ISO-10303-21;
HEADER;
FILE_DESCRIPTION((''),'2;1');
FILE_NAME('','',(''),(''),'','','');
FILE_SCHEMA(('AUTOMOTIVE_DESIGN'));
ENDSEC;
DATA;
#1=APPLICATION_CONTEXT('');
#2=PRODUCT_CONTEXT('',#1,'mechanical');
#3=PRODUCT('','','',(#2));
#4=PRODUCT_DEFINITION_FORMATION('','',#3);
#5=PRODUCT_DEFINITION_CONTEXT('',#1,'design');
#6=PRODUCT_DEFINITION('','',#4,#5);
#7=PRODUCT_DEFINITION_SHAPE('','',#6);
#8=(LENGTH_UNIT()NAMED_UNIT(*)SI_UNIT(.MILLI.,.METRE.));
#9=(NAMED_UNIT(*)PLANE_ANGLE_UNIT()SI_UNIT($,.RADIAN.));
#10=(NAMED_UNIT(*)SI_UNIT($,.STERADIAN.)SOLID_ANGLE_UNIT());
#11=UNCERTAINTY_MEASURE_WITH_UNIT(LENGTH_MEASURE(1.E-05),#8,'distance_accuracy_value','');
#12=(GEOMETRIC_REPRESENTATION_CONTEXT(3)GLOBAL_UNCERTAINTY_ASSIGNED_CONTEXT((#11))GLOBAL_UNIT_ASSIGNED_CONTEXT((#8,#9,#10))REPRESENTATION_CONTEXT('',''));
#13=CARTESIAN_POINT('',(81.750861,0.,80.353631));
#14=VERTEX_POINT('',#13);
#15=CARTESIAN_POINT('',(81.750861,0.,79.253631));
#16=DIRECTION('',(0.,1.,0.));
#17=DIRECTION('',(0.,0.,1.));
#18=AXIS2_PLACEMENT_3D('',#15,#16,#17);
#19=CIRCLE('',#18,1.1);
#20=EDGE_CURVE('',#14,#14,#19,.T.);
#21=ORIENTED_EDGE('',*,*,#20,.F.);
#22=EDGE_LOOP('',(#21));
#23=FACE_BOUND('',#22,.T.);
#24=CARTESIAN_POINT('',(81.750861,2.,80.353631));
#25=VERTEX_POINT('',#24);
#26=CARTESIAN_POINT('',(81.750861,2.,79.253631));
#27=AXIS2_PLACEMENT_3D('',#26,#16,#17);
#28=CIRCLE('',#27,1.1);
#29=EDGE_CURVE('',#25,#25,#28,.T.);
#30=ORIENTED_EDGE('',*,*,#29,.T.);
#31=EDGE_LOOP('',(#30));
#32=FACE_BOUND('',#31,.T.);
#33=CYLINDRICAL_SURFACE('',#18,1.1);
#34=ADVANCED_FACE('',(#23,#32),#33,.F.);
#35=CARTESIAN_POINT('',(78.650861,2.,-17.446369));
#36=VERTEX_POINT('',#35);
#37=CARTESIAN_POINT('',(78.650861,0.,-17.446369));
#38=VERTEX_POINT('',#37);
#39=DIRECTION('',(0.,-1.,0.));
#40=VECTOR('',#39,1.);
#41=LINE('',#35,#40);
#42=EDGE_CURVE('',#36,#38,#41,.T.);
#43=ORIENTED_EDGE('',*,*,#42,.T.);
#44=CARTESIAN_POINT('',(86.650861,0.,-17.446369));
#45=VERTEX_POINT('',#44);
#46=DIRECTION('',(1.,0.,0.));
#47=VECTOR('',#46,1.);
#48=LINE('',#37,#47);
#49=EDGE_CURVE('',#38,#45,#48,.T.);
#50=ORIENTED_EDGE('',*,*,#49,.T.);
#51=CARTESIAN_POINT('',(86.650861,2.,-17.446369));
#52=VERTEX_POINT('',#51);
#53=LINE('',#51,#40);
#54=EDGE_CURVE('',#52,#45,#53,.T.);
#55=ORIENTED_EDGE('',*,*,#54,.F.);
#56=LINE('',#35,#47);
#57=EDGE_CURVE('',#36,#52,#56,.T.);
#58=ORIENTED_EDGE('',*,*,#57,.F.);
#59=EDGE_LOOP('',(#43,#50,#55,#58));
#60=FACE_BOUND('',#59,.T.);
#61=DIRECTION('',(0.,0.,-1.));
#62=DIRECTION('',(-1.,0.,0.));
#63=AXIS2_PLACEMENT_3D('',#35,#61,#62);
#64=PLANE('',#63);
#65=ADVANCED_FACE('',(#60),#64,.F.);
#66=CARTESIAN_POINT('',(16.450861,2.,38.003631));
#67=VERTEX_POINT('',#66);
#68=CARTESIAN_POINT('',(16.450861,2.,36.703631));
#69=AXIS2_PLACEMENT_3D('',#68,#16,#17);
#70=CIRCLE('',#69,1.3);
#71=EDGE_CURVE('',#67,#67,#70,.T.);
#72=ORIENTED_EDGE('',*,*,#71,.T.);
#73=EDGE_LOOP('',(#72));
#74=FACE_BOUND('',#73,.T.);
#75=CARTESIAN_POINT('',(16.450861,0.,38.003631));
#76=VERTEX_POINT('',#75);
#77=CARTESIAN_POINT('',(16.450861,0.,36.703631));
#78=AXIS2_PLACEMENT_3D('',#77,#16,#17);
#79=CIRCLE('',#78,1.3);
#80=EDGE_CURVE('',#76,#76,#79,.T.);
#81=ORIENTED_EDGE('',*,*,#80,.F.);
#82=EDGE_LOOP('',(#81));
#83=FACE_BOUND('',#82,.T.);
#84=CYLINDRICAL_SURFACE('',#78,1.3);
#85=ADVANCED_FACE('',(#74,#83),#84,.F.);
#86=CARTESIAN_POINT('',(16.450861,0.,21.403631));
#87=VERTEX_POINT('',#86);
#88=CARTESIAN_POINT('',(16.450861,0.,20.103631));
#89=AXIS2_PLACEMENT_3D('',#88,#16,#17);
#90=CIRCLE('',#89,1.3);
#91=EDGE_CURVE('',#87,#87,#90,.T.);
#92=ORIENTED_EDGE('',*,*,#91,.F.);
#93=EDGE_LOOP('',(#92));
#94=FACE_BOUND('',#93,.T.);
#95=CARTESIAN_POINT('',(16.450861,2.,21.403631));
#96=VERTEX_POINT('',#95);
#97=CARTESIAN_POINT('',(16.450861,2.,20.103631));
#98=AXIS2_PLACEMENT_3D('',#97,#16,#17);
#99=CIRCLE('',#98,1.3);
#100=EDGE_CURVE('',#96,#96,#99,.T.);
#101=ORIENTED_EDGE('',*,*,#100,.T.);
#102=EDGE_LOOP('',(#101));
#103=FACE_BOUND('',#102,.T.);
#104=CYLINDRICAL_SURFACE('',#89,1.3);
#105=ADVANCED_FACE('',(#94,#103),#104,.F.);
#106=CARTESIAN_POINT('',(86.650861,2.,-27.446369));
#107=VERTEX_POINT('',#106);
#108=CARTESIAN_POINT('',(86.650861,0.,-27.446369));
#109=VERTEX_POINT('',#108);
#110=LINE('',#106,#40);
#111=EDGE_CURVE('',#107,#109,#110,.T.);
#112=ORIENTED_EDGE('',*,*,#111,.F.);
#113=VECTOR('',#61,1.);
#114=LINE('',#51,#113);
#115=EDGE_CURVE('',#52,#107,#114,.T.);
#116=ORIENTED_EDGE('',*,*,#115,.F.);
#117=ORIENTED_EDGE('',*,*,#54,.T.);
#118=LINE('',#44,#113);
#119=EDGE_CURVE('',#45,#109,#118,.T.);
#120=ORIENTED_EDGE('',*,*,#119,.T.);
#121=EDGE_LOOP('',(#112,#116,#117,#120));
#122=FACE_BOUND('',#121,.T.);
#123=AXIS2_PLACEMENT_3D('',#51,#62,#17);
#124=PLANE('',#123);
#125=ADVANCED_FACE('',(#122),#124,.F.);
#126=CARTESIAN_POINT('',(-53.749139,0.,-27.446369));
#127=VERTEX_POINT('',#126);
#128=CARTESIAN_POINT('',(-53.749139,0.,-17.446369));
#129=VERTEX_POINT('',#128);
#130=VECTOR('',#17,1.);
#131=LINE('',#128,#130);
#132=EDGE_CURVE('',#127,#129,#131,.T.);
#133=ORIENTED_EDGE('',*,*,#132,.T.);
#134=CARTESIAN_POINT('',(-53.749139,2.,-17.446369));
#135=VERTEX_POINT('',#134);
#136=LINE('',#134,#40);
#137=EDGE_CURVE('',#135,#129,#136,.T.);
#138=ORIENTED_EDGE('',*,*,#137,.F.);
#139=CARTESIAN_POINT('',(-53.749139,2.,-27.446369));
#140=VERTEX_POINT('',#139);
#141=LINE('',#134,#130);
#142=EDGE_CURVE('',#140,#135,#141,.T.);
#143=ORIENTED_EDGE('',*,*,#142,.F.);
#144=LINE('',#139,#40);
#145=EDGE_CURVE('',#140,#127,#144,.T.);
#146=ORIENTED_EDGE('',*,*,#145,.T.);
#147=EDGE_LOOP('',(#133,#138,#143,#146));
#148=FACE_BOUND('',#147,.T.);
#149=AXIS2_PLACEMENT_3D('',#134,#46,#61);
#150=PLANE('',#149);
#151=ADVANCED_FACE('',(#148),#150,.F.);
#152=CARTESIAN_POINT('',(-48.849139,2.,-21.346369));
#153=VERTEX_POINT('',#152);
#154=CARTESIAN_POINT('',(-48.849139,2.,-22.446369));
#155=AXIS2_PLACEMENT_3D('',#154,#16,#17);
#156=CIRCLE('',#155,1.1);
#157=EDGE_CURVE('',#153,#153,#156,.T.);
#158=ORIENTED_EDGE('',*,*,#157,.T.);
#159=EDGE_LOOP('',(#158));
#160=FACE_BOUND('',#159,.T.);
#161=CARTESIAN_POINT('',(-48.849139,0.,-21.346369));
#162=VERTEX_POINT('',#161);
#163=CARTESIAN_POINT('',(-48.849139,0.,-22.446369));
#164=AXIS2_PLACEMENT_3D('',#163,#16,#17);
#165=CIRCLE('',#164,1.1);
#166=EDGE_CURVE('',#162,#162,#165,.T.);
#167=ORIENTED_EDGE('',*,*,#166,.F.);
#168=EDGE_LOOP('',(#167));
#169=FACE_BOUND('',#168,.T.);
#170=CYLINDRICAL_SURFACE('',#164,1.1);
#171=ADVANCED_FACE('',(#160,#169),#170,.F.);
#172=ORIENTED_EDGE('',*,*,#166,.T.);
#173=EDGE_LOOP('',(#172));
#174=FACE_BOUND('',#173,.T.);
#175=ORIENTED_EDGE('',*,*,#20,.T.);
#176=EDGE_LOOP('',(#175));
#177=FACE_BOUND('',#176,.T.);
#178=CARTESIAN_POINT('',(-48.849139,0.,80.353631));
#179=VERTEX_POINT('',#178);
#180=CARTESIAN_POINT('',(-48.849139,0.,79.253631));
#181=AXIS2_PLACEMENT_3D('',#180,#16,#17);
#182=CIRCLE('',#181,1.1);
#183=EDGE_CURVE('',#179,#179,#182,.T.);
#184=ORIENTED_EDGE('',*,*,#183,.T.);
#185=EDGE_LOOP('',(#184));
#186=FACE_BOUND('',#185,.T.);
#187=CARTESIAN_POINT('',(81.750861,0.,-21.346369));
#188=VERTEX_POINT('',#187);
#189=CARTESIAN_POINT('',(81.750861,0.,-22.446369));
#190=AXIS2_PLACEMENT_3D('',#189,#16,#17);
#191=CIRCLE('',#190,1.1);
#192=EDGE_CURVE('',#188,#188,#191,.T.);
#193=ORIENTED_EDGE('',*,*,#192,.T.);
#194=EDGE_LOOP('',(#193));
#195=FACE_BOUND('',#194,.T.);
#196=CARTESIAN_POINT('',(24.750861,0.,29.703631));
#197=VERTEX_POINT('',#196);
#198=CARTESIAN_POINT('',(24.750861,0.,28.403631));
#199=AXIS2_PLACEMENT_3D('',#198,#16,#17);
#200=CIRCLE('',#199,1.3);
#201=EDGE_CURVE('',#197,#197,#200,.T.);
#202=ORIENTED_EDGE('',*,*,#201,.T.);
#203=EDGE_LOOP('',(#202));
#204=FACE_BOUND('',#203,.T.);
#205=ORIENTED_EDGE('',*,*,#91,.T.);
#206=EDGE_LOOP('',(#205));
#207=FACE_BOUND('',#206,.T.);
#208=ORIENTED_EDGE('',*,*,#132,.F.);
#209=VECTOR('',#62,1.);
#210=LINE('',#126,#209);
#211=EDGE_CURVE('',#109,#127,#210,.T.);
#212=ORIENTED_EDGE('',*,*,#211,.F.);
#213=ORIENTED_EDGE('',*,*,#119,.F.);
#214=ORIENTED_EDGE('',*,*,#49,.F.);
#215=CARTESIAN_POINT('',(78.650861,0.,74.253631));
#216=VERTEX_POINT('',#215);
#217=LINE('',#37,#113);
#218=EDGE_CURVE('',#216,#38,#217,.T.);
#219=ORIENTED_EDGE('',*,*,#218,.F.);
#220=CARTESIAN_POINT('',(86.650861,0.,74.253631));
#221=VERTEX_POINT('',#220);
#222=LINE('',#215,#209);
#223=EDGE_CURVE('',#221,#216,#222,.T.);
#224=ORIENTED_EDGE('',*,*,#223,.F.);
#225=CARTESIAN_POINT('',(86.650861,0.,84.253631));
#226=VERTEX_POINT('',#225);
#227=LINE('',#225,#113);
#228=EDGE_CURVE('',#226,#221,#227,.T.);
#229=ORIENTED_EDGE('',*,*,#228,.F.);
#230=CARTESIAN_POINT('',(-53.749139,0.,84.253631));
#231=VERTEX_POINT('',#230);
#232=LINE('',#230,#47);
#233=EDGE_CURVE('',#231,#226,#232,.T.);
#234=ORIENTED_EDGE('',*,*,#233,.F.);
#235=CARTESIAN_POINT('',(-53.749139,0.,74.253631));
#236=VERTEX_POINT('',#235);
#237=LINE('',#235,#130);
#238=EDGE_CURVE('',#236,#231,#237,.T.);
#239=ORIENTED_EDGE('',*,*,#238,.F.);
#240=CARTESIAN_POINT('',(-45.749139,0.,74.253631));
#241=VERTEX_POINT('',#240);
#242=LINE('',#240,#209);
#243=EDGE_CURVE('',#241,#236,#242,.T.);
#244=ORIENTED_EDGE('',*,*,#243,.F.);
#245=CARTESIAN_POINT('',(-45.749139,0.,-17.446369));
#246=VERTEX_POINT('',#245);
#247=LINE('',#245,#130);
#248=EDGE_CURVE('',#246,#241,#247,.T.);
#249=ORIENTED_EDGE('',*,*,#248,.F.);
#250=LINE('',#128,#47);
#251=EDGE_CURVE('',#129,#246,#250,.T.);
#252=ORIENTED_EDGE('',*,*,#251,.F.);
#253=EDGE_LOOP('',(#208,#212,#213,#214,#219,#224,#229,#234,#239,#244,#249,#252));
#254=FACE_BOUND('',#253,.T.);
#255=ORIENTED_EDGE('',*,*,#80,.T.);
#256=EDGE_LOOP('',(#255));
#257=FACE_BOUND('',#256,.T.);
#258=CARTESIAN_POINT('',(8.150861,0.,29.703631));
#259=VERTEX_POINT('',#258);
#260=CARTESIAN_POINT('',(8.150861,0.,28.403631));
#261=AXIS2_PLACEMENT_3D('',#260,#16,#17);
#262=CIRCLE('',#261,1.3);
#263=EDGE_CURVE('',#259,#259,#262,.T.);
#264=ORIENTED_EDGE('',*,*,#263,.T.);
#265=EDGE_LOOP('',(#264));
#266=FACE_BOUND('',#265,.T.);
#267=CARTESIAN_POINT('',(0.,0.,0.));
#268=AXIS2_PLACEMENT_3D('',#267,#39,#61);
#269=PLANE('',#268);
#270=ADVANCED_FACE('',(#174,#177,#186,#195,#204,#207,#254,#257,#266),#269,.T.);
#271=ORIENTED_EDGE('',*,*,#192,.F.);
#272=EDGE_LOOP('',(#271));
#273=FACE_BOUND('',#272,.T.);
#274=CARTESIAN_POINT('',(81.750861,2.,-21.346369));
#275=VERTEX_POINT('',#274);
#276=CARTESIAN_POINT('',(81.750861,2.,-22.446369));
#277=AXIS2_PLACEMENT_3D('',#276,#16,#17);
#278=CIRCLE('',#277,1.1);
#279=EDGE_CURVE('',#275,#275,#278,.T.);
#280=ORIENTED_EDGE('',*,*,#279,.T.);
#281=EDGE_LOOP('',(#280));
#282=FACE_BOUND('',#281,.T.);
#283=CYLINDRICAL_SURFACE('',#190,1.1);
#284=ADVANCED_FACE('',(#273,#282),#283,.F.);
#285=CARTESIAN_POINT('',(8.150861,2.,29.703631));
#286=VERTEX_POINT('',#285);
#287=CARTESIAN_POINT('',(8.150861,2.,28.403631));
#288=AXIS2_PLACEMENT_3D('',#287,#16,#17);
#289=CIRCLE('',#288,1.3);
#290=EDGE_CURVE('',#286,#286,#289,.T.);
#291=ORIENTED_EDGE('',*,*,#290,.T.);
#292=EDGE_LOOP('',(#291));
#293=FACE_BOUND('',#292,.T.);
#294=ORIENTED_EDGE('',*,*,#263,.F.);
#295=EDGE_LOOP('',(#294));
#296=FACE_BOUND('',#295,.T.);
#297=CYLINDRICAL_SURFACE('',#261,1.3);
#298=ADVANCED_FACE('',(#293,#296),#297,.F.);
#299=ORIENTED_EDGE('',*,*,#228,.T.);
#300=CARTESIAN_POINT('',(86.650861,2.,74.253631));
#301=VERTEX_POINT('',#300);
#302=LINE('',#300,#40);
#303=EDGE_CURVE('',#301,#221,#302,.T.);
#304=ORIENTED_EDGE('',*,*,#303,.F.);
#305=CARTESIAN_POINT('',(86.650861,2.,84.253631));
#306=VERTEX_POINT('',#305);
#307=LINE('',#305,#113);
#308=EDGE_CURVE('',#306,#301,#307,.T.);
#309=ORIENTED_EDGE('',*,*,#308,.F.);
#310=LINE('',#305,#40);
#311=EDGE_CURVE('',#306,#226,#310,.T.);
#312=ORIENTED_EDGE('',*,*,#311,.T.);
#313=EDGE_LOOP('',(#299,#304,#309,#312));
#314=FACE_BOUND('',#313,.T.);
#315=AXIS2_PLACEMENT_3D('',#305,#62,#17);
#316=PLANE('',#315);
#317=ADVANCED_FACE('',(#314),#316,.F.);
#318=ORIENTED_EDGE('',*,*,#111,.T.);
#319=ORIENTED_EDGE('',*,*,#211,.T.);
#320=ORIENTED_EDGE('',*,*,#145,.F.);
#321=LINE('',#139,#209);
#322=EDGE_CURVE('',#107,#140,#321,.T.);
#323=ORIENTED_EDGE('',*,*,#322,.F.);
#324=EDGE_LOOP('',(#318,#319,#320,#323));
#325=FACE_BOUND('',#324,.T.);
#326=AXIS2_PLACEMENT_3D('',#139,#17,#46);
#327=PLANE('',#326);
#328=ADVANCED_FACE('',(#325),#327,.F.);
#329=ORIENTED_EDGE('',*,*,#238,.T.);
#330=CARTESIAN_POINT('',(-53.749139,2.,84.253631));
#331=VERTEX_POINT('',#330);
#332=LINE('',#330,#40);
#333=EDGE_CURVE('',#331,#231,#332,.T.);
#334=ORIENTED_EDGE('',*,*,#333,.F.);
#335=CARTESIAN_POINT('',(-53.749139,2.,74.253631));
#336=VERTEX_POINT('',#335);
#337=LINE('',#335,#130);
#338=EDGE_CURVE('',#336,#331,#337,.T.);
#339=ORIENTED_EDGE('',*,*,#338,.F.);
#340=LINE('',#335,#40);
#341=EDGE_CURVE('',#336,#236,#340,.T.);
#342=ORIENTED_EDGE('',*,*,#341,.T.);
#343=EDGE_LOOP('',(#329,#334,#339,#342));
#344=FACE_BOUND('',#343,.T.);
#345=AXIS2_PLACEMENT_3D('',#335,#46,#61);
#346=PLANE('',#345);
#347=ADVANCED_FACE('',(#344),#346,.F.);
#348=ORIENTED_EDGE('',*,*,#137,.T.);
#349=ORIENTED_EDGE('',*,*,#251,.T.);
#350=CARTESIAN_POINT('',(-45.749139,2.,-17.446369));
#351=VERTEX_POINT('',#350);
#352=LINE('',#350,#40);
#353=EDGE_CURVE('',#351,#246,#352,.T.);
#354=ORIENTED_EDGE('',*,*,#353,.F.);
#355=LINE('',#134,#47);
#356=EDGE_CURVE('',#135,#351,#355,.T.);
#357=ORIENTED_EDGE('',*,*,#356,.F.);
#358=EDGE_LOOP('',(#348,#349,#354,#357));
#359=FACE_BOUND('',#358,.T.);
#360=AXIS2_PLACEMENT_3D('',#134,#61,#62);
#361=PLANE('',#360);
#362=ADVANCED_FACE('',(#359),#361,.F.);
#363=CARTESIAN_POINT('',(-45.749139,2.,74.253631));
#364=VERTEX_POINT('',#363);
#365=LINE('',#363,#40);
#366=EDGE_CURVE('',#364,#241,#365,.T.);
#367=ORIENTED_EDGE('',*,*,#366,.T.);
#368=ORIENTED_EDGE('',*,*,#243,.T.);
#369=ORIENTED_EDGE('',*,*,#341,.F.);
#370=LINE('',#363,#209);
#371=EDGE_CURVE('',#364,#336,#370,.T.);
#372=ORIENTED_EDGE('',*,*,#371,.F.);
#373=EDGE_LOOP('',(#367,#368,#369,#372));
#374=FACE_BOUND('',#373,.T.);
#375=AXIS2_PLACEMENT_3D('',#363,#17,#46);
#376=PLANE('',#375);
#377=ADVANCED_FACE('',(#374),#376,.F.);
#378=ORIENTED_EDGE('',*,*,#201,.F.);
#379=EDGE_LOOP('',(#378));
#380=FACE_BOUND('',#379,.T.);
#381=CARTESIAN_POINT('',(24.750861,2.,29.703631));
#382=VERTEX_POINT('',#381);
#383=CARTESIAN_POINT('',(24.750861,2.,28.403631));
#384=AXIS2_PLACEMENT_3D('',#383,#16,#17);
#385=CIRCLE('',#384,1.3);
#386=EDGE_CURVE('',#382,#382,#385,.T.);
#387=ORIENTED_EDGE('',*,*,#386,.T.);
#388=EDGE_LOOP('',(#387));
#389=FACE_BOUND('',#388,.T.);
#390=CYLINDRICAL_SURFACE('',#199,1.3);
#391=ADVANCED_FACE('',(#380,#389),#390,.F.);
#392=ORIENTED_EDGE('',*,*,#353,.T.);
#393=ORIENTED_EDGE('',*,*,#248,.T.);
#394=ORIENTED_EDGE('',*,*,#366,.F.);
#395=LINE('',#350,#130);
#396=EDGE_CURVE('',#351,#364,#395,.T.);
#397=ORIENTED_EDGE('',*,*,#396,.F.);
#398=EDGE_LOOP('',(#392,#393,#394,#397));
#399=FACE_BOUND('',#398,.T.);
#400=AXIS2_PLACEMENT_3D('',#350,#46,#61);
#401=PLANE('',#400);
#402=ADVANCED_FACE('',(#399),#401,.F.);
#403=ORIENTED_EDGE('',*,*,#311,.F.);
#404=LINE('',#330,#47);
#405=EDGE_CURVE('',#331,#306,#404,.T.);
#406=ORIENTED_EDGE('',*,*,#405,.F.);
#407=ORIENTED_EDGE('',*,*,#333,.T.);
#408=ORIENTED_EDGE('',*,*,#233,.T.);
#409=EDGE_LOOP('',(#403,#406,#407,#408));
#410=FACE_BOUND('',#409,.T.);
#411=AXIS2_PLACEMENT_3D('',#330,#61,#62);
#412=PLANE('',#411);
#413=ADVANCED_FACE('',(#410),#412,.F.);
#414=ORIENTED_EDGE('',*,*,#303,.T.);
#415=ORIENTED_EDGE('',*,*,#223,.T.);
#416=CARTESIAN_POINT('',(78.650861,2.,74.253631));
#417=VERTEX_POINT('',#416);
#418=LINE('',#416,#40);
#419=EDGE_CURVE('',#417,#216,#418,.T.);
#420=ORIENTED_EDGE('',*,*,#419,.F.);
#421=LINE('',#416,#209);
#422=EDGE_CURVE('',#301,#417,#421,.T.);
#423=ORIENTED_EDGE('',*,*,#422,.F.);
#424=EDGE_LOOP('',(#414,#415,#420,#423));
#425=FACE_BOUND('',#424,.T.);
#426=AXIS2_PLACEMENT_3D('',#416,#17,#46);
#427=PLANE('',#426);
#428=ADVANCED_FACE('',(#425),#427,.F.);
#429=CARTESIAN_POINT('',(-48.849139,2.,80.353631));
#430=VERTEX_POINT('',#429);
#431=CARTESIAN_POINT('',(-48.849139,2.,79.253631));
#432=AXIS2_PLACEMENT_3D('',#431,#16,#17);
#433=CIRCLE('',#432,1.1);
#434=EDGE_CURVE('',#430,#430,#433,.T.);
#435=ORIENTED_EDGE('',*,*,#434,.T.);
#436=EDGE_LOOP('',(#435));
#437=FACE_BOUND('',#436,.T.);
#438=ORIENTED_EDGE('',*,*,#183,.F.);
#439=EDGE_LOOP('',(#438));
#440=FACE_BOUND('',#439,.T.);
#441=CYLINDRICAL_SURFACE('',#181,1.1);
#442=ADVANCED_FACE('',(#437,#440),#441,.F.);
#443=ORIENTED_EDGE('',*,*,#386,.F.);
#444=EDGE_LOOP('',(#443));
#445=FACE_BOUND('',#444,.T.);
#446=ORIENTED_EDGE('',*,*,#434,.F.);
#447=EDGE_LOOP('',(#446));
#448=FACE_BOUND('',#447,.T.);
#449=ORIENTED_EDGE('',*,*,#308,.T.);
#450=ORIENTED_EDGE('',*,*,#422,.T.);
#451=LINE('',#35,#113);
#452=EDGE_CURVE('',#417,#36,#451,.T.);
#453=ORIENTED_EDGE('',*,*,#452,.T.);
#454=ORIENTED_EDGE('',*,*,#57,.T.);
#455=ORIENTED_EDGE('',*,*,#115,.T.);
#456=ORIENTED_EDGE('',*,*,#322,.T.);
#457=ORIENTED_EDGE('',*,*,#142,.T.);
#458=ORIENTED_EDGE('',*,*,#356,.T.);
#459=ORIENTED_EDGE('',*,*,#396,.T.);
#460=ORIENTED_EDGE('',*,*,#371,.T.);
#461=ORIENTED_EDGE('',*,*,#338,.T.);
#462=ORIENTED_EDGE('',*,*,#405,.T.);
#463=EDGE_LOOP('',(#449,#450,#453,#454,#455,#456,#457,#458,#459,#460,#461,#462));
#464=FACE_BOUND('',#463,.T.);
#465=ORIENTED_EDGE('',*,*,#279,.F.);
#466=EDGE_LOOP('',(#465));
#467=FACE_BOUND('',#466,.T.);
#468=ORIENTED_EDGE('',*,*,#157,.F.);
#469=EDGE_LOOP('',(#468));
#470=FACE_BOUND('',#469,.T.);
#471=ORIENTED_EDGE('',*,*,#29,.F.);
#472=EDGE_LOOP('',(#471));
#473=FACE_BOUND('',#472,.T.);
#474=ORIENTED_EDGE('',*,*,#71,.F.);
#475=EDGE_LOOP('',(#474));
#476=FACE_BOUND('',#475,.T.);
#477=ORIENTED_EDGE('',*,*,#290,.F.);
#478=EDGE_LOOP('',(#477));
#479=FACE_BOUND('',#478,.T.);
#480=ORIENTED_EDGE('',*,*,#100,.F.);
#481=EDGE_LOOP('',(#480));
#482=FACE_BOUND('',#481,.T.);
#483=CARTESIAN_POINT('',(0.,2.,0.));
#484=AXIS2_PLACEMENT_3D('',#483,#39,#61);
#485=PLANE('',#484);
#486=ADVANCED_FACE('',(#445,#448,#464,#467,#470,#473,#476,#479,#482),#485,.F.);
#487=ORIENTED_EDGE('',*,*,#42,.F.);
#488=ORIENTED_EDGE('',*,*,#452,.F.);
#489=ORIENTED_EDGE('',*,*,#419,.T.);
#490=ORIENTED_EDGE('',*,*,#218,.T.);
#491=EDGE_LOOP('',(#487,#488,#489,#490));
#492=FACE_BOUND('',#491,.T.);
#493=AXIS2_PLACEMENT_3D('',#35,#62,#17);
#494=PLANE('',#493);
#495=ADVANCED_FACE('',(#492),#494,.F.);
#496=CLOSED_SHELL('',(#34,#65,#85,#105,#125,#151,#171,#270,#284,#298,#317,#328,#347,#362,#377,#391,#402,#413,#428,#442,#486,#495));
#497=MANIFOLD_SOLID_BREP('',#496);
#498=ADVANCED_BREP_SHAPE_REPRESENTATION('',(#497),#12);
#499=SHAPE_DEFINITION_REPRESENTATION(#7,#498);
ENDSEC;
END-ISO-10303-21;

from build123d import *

# Parameters (mm, degrees)
BOSS_EXTRUDE1_DEPTH = 2
SKETCH2_R           = 1.1
CUT_EXTRUDE1_DEPTH  = 2
SKETCH3_R           = 1.3
CUT_EXTRUDE2_DEPTH  = 2


with BuildPart() as part:
    # Sketch1 → Boss-Extrude1 (new body)
    with BuildSketch(Plane(origin=(0, 0, 0), x_dir=(1, 0, 0), z_dir=(0, 1, 0))):
        Polygon((-53.749139255, 17.446368981), (-45.749139255, 17.446368981), (-45.749139255, -74.253631019), (-53.749139255, -74.253631019), (-53.749139255, -84.253631019), (86.650860745, -84.253631019), (86.650860745, -74.253631019), (78.650860745, -74.253631019), (78.650860745, 17.446368981), (86.650860745, 17.446368981), (86.650860745, 27.446368981), (-53.749139255, 27.446368981), align=None)
    extrude(amount=BOSS_EXTRUDE1_DEPTH)

    # Sketch2 → Cut-Extrude1 (cut)
    with BuildSketch(Plane(origin=(0, 2, 0), x_dir=(1, 0, 0), z_dir=(0, 1, 0))):
        with Locations((-48.849139255, -79.253631019)):
            Circle(SKETCH2_R)
        with Locations((-48.849139255, 22.446368981)):
            Circle(SKETCH2_R)
        with Locations((81.750860745, 22.446368981)):
            Circle(SKETCH2_R)
        with Locations((81.750860745, -79.253631019)):
            Circle(SKETCH2_R)
    extrude(amount=-CUT_EXTRUDE1_DEPTH, mode=Mode.SUBTRACT)

    # Sketch3 → Cut-Extrude2 (cut)
    with BuildSketch(Plane(origin=(0, 2, 0), x_dir=(1, 0, 0), z_dir=(0, 1, 0))):
        with Locations((8.150860745, -28.403631019)):
            Circle(SKETCH3_R)
        with Locations((16.450860745, -36.703631019)):
            Circle(SKETCH3_R)
        with Locations((24.750860745, -28.403631019)):
            Circle(SKETCH3_R)
        with Locations((16.450860745, -20.103631019)):
            Circle(SKETCH3_R)
    extrude(amount=-CUT_EXTRUDE2_DEPTH, mode=Mode.SUBTRACT)


solid = part.part
